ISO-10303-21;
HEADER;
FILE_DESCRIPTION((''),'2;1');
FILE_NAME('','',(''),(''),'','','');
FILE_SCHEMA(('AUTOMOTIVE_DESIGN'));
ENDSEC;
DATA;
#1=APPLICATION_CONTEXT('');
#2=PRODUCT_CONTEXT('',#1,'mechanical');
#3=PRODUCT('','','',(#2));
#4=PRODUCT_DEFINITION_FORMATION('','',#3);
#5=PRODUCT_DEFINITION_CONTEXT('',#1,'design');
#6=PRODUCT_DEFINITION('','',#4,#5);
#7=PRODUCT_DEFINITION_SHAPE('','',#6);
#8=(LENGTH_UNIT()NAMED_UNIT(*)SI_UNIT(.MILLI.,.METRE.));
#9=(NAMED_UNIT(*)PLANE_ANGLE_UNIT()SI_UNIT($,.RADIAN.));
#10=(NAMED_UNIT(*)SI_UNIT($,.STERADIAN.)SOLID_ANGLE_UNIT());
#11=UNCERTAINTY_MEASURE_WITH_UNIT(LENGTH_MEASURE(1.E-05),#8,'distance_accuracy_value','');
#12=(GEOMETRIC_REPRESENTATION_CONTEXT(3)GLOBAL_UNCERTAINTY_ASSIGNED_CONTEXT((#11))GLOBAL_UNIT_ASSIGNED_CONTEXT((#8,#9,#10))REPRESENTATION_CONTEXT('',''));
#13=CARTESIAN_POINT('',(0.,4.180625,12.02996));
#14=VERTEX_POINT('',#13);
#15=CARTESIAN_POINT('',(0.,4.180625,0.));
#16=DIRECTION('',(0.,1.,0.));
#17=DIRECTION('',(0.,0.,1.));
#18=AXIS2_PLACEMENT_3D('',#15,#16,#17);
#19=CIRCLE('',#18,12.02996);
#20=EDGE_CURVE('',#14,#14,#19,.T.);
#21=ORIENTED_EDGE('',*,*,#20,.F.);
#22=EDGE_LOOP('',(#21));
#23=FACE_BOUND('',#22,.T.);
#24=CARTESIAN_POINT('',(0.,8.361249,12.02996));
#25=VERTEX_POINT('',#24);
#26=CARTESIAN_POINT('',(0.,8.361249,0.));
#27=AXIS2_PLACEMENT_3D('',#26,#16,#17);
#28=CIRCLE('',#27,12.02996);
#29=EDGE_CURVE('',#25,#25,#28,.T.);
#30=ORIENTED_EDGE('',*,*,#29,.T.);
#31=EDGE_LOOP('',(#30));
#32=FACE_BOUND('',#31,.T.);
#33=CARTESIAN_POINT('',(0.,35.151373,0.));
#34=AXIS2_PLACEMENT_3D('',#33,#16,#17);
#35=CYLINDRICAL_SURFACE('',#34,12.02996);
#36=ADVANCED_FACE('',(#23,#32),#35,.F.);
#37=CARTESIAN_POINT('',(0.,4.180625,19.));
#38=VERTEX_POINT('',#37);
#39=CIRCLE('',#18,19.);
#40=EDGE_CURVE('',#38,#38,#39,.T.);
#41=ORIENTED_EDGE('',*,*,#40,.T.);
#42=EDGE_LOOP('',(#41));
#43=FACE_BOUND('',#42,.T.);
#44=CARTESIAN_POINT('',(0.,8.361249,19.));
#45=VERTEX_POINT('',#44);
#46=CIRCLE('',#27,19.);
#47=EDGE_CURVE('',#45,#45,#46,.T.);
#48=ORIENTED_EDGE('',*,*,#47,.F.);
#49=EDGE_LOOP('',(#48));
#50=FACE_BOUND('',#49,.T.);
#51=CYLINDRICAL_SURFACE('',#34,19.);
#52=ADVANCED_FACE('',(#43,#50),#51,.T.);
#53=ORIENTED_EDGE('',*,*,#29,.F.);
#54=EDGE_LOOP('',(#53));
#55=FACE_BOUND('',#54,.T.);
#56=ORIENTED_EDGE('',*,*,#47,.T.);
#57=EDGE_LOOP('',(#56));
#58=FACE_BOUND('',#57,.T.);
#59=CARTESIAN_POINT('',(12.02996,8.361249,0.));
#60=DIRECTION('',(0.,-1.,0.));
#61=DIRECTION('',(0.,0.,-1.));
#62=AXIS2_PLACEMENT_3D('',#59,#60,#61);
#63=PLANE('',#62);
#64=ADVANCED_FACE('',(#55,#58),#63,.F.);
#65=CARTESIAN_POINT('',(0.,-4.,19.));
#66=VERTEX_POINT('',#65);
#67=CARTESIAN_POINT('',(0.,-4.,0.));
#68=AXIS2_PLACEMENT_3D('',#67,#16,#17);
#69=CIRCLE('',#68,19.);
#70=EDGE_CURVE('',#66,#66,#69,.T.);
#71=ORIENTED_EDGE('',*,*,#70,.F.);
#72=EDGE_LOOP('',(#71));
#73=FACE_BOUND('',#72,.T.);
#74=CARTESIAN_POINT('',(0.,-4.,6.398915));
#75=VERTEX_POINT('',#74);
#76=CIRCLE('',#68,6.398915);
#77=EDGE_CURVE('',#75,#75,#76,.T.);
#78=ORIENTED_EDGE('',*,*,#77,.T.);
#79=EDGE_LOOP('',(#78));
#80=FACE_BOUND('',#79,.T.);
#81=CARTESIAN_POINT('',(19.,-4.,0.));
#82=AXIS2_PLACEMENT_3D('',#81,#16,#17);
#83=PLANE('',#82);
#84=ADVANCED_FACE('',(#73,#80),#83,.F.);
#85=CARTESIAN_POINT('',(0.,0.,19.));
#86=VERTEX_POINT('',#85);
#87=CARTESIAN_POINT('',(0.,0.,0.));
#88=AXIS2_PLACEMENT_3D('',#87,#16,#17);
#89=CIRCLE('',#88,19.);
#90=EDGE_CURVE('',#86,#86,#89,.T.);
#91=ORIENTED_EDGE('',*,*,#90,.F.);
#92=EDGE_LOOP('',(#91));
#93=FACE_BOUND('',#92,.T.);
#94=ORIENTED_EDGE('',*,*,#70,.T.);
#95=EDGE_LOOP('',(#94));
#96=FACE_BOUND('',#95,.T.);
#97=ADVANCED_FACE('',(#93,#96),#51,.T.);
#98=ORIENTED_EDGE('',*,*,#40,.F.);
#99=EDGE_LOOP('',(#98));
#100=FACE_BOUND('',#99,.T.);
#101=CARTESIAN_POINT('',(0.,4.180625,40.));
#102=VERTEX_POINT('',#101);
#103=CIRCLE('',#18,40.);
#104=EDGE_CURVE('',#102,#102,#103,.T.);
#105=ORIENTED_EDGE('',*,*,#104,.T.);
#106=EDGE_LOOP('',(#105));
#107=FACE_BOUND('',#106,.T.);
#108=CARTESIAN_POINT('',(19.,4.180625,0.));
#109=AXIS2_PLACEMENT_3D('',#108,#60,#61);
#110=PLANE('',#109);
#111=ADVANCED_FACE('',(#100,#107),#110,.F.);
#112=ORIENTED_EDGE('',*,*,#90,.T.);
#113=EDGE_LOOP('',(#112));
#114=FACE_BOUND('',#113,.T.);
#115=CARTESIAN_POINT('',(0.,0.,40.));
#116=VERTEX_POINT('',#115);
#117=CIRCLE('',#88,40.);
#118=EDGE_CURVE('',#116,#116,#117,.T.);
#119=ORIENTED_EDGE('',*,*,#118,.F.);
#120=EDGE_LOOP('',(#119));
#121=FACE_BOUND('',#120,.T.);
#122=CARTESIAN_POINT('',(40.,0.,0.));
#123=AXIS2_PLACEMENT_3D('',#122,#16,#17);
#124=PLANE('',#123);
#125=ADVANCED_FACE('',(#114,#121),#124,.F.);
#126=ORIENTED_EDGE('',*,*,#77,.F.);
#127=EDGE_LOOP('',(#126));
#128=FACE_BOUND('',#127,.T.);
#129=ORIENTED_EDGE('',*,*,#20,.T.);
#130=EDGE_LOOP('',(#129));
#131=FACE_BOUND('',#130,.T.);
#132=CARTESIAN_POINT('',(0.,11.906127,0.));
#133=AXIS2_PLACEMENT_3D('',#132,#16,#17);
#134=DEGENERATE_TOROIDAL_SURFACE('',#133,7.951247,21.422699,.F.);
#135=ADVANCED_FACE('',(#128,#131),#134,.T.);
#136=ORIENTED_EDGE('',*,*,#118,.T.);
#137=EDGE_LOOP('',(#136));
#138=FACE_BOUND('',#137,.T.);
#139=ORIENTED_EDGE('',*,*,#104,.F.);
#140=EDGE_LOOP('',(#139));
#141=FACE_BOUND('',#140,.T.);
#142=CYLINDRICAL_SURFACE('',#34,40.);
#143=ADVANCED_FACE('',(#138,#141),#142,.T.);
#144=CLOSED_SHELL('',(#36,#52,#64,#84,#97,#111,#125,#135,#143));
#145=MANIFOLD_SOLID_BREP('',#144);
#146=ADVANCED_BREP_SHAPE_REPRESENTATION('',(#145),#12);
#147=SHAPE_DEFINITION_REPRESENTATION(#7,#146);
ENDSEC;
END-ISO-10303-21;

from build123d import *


with BuildPart() as part:
    # Эскиз1 → Повернуть1 (revolve)
    with BuildSketch(Plane.XY):
        with BuildLine():
            Line((12.029960322, 8.361249018), (19, 8.361249018))
            Line((19, 8.361249018), (19, 4.180624509))
            Line((19, 4.180624509), (40, 4.180624509))
            Line((40, 4.180624509), (40, 0))
            Line((40, 0), (19, 0))
            Line((19, 0), (19, -4))
            Line((19, -4), (6.398915065, -4))
            ThreePointArc((6.398915065, -4), (9.695038318, -0.240504038), (12.029960322, 4.180624509))
            Line((12.029960322, 4.180624509), (12.029960322, 8.361249018))
        make_face()
    revolve(axis=Axis((0, 35.151373423, 0), (0, -1, 0)))


solid = part.part
